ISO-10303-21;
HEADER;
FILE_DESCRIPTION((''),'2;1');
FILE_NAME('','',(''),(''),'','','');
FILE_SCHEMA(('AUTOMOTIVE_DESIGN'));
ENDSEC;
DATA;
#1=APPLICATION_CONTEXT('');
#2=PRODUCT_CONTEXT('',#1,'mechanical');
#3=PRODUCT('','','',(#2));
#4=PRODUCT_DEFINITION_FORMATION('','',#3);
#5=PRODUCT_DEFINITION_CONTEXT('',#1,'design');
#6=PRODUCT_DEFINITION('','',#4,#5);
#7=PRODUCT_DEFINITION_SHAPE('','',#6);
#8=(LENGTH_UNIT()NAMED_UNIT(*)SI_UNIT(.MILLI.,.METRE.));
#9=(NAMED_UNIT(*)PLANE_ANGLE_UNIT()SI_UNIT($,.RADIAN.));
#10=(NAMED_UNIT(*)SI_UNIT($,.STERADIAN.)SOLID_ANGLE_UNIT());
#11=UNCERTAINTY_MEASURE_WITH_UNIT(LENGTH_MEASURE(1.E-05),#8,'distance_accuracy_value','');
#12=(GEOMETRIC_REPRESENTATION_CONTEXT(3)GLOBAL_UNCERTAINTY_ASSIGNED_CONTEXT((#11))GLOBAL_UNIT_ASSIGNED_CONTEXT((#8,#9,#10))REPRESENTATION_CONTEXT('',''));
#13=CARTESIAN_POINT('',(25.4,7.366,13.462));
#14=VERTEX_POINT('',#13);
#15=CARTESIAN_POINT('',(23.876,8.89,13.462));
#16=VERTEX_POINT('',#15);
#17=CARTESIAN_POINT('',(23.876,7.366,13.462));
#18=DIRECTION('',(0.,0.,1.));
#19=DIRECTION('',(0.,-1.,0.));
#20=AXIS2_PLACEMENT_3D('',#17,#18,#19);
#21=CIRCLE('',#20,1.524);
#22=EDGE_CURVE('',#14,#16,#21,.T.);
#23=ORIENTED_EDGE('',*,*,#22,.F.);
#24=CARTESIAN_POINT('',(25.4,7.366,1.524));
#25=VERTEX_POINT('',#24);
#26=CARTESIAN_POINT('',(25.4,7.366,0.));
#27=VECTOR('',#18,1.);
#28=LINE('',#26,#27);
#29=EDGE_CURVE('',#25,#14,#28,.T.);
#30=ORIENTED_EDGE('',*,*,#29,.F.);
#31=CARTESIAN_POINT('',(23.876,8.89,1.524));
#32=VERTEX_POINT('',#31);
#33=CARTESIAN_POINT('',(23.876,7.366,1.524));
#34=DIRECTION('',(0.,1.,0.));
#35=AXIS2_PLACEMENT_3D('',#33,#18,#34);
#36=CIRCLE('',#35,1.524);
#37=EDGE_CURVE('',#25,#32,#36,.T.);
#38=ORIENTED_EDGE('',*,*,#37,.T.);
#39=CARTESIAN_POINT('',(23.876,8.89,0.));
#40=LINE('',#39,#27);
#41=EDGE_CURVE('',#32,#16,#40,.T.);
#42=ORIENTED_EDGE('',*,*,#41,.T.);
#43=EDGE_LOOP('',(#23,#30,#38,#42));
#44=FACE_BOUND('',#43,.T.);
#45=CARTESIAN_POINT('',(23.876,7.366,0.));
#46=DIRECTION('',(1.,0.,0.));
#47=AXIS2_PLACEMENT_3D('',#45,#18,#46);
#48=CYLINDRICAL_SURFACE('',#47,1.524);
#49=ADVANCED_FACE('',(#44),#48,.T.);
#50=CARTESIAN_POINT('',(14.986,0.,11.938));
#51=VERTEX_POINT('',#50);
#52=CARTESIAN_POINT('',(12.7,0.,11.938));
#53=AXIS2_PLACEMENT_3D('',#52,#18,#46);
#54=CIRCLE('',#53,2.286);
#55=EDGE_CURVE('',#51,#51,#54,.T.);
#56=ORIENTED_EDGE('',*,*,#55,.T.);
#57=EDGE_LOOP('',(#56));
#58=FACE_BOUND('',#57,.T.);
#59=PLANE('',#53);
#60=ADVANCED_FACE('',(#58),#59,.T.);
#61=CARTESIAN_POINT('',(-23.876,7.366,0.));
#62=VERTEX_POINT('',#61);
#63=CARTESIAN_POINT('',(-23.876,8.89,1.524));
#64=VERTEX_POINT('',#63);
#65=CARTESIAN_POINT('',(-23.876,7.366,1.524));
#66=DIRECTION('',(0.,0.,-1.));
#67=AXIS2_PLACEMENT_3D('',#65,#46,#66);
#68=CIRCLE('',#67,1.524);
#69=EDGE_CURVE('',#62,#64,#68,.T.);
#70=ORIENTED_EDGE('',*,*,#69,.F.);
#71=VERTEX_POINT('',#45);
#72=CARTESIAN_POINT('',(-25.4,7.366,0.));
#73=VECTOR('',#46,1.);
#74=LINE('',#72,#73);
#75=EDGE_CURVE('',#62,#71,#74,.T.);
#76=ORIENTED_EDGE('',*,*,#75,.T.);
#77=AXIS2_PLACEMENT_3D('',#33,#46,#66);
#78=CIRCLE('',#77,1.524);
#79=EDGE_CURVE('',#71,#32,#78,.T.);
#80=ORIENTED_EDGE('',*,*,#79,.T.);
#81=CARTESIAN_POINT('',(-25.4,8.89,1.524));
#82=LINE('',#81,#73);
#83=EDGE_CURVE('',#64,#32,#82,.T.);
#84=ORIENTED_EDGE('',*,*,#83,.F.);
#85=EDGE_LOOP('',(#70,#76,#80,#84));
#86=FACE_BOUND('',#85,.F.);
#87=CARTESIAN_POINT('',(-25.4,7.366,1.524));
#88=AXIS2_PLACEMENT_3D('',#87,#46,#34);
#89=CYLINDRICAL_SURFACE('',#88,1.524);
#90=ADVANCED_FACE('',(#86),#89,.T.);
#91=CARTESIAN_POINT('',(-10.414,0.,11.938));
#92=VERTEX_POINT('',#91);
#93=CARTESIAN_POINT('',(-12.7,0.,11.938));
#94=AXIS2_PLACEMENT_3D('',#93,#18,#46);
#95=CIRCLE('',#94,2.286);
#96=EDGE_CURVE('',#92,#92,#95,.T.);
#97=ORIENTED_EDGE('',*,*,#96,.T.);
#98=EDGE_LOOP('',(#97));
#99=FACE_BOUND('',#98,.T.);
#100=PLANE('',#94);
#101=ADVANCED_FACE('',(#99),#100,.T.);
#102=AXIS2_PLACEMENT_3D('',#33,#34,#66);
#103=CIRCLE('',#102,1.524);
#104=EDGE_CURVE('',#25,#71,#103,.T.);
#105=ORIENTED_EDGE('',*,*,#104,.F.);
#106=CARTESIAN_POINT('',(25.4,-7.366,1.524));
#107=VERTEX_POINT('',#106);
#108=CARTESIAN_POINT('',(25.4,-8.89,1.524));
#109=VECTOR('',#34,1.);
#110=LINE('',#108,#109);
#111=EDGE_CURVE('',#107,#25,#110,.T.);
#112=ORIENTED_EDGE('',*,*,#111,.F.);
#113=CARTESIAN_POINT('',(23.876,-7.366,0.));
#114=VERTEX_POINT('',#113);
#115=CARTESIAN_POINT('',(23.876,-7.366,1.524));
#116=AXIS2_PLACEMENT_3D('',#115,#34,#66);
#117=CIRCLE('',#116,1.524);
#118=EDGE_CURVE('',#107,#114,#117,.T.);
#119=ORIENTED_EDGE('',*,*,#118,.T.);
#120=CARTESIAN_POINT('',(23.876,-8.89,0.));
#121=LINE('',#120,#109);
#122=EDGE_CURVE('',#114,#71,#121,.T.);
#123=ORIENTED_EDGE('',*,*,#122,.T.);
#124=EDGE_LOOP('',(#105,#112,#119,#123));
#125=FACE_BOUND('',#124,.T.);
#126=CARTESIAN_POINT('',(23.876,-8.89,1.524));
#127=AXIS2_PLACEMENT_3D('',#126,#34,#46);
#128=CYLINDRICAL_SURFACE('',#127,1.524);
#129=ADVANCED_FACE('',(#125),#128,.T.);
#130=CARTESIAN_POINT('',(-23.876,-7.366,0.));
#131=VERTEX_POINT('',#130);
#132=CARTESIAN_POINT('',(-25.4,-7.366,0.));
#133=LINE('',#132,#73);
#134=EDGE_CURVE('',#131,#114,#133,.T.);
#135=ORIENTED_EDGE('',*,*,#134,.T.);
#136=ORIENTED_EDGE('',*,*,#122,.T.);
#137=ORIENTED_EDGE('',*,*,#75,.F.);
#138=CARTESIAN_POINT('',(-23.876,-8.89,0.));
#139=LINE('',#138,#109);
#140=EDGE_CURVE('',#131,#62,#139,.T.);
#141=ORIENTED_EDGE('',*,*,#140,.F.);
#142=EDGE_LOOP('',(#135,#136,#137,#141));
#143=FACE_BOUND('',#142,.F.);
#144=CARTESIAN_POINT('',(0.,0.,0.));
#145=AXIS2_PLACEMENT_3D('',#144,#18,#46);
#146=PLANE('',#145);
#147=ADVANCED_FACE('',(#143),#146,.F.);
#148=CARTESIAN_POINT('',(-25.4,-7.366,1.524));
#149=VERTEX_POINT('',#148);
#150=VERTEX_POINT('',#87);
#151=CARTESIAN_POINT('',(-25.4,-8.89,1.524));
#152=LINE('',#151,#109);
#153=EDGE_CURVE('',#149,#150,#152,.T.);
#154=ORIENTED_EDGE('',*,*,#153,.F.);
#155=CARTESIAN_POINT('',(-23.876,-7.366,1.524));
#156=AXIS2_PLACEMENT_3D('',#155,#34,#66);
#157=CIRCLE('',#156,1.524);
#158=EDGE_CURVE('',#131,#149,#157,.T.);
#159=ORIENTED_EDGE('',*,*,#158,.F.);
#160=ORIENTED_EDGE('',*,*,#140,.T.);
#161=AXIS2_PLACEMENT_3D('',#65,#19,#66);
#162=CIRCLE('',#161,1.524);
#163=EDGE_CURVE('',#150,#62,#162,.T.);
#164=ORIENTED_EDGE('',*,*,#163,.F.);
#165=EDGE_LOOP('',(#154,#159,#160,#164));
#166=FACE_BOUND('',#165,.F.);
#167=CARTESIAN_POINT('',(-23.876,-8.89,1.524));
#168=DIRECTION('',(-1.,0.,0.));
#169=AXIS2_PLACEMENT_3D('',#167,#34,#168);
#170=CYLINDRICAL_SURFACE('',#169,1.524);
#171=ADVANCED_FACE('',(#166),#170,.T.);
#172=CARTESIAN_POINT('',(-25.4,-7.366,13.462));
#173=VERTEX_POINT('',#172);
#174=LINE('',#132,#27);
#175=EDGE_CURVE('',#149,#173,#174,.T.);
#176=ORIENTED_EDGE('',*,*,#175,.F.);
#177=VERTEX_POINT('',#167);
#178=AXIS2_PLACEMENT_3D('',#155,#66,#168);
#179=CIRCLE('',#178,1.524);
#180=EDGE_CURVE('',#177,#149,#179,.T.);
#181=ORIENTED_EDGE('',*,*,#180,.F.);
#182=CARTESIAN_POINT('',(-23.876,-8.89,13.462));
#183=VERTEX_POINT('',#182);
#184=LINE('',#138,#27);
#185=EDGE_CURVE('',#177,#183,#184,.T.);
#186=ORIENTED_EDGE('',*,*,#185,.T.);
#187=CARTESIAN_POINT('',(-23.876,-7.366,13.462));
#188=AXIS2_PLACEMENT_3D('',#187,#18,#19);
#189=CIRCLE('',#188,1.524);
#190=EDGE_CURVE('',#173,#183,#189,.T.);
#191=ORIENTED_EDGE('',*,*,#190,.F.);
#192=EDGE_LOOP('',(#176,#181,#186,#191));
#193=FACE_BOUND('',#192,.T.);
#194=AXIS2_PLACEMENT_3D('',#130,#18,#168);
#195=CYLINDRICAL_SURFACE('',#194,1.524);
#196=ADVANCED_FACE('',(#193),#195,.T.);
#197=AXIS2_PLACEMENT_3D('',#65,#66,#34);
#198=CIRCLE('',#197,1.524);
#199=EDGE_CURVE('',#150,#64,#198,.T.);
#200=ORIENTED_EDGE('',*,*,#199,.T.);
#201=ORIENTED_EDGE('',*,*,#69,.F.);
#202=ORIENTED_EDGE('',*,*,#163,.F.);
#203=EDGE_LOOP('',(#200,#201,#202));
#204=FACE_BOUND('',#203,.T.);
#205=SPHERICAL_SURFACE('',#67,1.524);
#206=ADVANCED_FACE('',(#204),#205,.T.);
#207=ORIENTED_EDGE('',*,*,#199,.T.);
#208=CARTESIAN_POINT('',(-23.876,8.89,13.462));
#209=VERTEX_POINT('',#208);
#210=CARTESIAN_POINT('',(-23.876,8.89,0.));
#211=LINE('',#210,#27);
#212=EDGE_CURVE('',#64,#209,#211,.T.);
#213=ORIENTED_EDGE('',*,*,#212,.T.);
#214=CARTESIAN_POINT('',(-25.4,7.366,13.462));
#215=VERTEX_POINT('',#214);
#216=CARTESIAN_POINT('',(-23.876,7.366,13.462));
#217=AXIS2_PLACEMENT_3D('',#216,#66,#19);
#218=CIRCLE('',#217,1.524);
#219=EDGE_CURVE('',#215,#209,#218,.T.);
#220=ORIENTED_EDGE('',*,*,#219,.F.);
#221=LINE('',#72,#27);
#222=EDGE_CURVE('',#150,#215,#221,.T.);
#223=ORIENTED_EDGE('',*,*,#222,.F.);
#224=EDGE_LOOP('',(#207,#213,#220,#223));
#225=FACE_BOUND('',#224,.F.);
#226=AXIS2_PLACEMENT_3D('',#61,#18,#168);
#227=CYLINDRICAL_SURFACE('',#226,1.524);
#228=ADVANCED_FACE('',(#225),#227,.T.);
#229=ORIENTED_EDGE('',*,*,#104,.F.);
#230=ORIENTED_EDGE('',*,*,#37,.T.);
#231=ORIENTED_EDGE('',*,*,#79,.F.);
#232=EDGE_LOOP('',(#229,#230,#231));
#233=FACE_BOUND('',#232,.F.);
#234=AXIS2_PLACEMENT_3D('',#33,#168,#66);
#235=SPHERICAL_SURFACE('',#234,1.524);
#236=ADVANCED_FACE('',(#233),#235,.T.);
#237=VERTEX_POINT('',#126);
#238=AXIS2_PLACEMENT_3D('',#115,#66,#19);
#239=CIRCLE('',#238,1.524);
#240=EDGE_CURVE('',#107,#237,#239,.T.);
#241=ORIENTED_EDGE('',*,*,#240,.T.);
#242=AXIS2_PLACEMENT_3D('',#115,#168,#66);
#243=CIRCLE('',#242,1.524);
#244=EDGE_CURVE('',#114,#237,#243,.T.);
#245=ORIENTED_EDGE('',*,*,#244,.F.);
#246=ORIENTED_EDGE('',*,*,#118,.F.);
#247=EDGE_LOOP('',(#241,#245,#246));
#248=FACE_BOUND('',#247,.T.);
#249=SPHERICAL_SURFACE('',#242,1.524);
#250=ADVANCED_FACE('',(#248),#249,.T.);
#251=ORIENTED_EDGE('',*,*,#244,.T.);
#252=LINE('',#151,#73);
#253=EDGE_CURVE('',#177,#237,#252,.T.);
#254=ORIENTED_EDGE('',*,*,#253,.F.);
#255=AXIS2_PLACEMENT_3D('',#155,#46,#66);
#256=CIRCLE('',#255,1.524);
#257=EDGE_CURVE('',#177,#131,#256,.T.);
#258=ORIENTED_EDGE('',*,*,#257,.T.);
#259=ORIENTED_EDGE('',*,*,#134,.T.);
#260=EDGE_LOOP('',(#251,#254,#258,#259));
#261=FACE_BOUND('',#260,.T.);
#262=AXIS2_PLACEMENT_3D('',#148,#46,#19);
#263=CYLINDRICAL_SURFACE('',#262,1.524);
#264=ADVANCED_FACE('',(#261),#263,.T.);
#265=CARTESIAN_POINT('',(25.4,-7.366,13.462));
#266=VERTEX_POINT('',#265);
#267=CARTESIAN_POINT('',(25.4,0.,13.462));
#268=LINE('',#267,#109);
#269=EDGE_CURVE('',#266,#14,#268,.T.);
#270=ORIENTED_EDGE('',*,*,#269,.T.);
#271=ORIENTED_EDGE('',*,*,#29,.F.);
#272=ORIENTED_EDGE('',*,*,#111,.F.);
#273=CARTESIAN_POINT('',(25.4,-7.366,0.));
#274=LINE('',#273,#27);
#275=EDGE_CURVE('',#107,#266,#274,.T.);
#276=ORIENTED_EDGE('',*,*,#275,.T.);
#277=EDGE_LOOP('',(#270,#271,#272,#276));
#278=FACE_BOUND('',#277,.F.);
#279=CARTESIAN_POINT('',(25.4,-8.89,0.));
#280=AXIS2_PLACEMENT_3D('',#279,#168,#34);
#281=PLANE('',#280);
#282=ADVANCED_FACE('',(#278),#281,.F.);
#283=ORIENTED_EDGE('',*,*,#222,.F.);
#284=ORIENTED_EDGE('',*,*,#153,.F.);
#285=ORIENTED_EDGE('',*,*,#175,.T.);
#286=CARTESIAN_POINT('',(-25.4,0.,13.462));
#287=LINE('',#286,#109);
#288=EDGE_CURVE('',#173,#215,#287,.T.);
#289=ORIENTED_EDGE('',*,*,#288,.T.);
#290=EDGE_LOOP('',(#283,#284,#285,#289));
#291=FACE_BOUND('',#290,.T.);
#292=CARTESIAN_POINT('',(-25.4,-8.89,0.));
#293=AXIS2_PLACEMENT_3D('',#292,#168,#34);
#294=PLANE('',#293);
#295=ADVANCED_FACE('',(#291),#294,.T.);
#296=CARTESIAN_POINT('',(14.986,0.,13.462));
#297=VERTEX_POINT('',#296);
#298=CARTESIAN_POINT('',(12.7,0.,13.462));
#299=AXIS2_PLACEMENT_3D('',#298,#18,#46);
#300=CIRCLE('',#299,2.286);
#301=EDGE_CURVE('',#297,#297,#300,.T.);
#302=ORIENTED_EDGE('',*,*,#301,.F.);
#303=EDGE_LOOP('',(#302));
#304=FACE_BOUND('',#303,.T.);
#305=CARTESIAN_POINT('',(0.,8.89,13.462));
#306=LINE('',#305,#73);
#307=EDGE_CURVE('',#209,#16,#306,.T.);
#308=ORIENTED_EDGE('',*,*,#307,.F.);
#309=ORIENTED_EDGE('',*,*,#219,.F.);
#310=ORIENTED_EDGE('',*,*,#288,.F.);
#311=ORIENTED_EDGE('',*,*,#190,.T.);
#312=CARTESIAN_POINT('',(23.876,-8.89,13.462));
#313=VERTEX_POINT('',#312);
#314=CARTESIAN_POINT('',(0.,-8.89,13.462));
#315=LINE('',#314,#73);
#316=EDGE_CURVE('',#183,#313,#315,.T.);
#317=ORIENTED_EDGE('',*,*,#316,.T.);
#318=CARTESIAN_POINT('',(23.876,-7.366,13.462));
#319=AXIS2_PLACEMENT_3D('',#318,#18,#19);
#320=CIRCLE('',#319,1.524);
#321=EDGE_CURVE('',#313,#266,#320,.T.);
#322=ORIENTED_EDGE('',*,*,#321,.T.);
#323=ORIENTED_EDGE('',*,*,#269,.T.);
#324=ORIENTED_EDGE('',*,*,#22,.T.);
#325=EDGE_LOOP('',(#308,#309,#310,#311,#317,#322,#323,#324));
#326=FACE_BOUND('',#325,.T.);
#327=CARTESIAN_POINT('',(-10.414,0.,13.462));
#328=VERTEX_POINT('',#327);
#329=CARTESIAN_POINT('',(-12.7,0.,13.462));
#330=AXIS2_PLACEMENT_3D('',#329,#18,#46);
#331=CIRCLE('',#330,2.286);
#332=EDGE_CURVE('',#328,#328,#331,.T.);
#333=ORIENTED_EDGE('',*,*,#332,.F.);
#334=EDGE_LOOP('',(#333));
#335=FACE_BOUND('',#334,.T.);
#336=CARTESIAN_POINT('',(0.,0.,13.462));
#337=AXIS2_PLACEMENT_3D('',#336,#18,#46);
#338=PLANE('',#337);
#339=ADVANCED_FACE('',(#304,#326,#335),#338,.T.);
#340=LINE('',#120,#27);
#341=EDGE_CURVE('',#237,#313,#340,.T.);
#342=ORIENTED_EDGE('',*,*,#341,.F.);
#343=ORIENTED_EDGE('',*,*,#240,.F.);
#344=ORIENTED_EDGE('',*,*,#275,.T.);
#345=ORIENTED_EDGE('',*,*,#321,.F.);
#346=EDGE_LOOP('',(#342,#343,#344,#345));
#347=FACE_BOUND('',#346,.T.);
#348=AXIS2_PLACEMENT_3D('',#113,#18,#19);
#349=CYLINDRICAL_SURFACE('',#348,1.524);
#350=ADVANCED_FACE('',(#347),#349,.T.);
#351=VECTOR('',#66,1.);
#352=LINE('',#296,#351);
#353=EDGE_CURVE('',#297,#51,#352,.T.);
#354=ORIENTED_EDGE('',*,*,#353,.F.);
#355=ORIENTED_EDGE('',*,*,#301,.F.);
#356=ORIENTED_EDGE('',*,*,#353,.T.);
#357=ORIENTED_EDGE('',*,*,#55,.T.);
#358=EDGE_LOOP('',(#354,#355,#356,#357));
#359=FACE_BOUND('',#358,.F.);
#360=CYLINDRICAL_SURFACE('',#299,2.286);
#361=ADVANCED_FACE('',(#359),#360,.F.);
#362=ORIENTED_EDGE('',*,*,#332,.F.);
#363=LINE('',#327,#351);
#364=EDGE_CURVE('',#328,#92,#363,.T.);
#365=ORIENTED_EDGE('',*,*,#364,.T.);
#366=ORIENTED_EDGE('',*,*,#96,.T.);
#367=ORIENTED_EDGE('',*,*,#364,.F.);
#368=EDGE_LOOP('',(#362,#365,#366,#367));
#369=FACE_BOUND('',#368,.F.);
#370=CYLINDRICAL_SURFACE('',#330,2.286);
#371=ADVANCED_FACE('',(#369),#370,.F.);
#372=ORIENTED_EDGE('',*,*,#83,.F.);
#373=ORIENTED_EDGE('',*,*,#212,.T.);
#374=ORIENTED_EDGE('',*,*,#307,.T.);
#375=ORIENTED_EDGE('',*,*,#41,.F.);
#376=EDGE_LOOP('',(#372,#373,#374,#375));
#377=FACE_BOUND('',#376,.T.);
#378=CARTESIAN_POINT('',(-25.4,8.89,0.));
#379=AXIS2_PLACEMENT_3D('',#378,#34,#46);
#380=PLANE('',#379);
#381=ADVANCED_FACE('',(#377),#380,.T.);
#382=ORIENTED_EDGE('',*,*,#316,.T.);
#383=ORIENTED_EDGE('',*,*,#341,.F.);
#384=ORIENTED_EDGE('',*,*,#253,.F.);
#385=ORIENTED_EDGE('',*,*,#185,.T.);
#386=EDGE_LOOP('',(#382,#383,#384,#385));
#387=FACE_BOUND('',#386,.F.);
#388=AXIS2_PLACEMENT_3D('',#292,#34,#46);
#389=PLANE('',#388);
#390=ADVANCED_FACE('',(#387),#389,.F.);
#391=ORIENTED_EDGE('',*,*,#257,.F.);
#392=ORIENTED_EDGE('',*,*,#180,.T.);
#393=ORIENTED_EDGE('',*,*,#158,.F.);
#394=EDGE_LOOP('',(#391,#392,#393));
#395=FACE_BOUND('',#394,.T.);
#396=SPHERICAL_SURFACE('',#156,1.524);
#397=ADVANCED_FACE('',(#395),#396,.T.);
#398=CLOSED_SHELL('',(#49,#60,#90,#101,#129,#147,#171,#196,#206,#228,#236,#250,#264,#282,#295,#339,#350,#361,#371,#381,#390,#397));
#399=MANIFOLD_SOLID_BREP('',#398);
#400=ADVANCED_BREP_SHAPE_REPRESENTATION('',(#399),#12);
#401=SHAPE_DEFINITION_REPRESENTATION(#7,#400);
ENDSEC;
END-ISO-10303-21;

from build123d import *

# Parameters (mm, degrees)
F0_W     = 50.8
F0_H     = 17.78
F1_DEPTH = 13.462
F2_R     = 1.524
F3_R     = 2.286
F4_DEPTH = 1.524


with BuildPart() as f1:
    # F0 (on Top) → F1 (new body)
    with BuildSketch(Plane.XY):
        Rectangle(F0_W, F0_H)
    extrude(amount=F1_DEPTH)

    # F2
    f2_edges = [f1.edges().sort_by_distance(p)[0] for p in [
        (0, 8.89, 0),
        (-25.4, 0, 0),
        (0, -8.89, 0),
        (25.4, 0, 0),
        (-25.4, -8.89, 6.731),
        (25.4, -8.89, 6.731),
        (25.4, 8.89, 6.731),
        (-25.4, 8.89, 6.731),
    ]]
    fillet(f2_edges, radius=F2_R)

    # F3 (on face) → F4 (cut)
    with BuildSketch(Plane.XY.offset(13.462)):
        with Locations((12.7, 0)):
            Circle(F3_R)
        with Locations((-12.7, 0)):
            Circle(F3_R)
    extrude(amount=-F4_DEPTH, mode=Mode.SUBTRACT)


solid = f1.part
